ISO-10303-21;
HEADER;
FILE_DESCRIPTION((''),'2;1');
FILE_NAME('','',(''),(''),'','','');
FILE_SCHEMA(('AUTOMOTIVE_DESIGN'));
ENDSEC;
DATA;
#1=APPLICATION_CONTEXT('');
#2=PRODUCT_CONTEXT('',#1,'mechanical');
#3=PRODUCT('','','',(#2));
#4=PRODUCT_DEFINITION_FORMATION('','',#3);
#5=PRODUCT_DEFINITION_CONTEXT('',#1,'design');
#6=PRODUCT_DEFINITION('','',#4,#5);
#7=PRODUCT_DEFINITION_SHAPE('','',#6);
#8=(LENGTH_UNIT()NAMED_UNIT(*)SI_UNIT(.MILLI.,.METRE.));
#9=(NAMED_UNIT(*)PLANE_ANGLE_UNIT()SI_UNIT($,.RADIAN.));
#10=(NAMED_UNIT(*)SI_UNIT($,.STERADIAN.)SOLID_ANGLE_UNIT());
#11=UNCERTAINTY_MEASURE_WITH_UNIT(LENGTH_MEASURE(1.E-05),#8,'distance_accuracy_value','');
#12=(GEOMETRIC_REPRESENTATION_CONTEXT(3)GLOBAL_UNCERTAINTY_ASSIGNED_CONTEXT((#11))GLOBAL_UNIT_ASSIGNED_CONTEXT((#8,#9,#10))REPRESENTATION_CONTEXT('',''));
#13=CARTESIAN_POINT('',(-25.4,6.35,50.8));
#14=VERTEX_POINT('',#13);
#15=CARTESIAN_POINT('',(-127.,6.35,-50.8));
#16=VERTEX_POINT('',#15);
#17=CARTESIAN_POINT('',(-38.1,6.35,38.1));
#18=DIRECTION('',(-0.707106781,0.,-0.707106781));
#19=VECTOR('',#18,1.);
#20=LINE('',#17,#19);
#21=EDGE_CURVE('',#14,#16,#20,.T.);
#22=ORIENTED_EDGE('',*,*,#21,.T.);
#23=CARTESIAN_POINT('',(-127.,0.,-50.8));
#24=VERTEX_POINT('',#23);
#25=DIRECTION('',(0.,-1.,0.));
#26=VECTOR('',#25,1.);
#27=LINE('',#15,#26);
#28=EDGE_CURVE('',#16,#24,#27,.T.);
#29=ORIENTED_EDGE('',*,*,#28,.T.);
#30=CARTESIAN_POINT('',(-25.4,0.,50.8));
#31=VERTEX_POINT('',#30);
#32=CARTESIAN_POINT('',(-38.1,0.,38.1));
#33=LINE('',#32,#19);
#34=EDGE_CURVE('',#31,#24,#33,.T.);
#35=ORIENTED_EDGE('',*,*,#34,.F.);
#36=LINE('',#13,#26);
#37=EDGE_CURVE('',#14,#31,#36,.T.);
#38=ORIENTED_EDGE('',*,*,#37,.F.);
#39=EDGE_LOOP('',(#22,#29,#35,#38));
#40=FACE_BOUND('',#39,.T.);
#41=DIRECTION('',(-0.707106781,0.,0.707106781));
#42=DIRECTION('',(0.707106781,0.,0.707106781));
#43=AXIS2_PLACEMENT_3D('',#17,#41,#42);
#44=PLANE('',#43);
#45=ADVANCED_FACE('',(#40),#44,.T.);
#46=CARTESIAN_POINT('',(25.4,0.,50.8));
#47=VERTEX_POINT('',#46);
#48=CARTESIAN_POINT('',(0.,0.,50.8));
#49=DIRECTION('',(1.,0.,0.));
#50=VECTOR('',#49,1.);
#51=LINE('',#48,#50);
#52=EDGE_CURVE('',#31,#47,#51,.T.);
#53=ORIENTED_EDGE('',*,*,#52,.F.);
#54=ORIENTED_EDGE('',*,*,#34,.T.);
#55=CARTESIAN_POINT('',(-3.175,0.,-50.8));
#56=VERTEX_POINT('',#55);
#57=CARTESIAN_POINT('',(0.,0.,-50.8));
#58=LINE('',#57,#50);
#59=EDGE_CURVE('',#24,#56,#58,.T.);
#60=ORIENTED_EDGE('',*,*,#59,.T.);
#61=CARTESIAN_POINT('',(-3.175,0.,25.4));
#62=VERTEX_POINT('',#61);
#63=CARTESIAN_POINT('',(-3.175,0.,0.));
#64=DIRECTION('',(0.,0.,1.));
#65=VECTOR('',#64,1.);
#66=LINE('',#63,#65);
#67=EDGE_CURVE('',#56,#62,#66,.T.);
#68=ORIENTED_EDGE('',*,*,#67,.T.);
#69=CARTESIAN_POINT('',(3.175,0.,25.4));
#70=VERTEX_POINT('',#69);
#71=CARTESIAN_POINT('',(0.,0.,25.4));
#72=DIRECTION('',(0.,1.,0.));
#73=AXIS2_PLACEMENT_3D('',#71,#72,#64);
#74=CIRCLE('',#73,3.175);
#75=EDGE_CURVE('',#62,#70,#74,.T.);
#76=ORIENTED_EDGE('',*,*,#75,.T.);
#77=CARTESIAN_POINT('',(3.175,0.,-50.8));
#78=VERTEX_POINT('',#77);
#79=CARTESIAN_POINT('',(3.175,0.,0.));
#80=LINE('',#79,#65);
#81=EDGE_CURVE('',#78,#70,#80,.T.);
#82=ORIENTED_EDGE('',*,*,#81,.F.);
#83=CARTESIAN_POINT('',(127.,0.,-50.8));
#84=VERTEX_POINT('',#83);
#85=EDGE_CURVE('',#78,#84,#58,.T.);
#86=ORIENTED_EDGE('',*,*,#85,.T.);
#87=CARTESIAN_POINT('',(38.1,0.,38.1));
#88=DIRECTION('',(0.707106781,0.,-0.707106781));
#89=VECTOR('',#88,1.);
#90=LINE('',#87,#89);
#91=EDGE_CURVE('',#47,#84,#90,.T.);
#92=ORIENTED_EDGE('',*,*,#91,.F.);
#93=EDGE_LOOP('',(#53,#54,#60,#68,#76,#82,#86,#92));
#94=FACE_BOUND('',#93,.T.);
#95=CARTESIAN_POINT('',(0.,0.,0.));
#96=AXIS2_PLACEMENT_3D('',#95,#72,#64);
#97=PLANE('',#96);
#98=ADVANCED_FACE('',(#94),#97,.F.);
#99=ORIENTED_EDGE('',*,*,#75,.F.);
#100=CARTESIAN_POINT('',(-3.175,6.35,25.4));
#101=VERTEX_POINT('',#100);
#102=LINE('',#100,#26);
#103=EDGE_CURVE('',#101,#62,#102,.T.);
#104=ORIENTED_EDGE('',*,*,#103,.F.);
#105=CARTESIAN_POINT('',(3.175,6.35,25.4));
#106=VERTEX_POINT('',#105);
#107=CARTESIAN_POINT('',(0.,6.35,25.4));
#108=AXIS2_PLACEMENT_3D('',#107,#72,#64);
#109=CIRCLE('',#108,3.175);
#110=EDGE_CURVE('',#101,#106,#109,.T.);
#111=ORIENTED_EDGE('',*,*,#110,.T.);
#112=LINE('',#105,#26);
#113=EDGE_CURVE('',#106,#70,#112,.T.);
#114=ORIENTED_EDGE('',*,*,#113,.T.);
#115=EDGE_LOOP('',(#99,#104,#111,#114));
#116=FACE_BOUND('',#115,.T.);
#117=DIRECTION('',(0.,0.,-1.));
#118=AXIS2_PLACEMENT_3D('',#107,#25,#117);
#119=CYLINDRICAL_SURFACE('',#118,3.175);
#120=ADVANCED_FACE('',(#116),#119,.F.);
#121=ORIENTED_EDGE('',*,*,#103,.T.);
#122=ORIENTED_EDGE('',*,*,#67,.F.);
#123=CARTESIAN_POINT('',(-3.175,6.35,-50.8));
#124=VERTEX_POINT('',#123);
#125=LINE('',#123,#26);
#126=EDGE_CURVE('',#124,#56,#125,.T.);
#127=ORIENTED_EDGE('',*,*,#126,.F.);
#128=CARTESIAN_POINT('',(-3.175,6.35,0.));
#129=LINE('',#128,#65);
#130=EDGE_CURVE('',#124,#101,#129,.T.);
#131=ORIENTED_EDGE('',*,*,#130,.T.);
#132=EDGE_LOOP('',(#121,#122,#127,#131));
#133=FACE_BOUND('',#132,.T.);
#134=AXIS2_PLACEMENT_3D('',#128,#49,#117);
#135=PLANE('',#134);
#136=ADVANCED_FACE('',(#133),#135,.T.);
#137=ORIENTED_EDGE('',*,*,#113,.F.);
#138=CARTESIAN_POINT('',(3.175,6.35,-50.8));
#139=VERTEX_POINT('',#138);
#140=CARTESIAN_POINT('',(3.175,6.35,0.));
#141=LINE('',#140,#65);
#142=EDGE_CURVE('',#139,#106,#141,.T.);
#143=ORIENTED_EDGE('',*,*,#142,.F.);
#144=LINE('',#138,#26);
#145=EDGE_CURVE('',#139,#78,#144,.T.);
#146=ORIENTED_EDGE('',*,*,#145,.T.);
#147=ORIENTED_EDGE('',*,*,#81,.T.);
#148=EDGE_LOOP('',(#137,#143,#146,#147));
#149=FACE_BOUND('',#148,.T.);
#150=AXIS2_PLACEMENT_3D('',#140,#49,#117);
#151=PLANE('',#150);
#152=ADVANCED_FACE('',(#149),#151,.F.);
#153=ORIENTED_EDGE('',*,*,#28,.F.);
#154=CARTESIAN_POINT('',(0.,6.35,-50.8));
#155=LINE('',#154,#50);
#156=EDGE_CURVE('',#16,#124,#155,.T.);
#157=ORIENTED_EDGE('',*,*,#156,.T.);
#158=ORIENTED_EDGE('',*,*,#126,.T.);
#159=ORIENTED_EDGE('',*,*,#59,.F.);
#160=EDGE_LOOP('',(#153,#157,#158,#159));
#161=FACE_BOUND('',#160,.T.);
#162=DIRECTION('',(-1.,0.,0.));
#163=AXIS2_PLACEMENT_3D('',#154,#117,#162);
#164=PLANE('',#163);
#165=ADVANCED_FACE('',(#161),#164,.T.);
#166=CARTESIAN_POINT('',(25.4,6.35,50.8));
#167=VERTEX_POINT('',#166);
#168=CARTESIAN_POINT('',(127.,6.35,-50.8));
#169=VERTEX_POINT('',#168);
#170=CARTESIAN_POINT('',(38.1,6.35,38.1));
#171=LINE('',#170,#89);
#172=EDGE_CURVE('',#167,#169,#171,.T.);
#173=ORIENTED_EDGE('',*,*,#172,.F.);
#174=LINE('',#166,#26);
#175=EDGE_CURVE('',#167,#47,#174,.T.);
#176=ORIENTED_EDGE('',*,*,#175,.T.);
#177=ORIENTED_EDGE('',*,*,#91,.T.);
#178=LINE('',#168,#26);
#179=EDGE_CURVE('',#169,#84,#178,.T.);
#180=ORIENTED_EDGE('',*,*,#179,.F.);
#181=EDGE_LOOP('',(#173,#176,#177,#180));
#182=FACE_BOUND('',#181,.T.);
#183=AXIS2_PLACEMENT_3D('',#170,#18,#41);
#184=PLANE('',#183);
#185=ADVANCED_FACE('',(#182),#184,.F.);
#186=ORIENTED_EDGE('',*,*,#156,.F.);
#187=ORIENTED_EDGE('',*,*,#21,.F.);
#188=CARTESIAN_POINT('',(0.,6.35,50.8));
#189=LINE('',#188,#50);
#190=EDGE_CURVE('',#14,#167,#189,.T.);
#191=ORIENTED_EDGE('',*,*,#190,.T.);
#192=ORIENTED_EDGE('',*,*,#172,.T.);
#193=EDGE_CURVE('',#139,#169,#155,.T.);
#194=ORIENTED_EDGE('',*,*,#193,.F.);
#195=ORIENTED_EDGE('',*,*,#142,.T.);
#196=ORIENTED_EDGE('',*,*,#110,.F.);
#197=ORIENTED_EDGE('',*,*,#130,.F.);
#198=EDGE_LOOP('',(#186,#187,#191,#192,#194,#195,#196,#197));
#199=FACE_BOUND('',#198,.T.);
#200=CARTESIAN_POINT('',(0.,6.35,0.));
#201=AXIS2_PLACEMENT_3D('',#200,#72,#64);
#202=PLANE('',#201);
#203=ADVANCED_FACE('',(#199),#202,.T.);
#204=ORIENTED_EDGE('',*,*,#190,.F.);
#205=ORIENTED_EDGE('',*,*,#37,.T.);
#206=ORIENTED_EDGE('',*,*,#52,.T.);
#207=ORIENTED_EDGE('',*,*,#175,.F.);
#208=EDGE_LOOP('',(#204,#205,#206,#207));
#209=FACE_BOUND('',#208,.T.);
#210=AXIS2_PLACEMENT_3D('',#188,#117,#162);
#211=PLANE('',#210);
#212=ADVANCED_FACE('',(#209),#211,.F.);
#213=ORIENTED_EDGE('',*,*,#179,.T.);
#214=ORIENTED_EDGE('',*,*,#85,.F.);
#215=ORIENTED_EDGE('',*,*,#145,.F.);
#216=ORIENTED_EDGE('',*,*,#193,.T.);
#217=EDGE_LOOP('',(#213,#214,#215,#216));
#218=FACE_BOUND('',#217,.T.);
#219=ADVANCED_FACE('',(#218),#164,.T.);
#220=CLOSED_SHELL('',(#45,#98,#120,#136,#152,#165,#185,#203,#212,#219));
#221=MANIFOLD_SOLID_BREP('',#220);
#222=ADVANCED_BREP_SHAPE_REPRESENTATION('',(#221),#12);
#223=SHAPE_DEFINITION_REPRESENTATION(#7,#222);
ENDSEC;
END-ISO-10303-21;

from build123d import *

# Parameters (mm, degrees)
BOSS_EXTRUDE1_DEPTH = 6.35


with BuildPart() as part:
    # Sketch1 → Boss-Extrude1 (new body)
    with BuildSketch(Plane(origin=(0, 0, 0), x_dir=(1, 0, 0), z_dir=(0, 1, 0))):
        Polygon((-127, 50.8), (-25.4, 50.8), (-25.4, -50.8), align=None)
        with BuildLine():
            Line((-25.4, 50.8), (-25.4, -50.8))
            Line((-25.4, -50.8), (25.4, -50.8))
            Line((25.4, -50.8), (25.4, 50.8))
            Line((25.4, 50.8), (3.175, 50.8))
            Line((3.175, 50.8), (3.175, -25.4))
            ThreePointArc((3.175, -25.4), (0, -28.575), (-3.175, -25.4))
            Line((-3.175, -25.4), (-3.175, 50.8))
            Line((-3.175, 50.8), (-25.4, 50.8))
        make_face()
        Polygon((25.4, -50.8), (127, 50.8), (25.4, 50.8), align=None)
    extrude(amount=BOSS_EXTRUDE1_DEPTH)


solid = part.part
